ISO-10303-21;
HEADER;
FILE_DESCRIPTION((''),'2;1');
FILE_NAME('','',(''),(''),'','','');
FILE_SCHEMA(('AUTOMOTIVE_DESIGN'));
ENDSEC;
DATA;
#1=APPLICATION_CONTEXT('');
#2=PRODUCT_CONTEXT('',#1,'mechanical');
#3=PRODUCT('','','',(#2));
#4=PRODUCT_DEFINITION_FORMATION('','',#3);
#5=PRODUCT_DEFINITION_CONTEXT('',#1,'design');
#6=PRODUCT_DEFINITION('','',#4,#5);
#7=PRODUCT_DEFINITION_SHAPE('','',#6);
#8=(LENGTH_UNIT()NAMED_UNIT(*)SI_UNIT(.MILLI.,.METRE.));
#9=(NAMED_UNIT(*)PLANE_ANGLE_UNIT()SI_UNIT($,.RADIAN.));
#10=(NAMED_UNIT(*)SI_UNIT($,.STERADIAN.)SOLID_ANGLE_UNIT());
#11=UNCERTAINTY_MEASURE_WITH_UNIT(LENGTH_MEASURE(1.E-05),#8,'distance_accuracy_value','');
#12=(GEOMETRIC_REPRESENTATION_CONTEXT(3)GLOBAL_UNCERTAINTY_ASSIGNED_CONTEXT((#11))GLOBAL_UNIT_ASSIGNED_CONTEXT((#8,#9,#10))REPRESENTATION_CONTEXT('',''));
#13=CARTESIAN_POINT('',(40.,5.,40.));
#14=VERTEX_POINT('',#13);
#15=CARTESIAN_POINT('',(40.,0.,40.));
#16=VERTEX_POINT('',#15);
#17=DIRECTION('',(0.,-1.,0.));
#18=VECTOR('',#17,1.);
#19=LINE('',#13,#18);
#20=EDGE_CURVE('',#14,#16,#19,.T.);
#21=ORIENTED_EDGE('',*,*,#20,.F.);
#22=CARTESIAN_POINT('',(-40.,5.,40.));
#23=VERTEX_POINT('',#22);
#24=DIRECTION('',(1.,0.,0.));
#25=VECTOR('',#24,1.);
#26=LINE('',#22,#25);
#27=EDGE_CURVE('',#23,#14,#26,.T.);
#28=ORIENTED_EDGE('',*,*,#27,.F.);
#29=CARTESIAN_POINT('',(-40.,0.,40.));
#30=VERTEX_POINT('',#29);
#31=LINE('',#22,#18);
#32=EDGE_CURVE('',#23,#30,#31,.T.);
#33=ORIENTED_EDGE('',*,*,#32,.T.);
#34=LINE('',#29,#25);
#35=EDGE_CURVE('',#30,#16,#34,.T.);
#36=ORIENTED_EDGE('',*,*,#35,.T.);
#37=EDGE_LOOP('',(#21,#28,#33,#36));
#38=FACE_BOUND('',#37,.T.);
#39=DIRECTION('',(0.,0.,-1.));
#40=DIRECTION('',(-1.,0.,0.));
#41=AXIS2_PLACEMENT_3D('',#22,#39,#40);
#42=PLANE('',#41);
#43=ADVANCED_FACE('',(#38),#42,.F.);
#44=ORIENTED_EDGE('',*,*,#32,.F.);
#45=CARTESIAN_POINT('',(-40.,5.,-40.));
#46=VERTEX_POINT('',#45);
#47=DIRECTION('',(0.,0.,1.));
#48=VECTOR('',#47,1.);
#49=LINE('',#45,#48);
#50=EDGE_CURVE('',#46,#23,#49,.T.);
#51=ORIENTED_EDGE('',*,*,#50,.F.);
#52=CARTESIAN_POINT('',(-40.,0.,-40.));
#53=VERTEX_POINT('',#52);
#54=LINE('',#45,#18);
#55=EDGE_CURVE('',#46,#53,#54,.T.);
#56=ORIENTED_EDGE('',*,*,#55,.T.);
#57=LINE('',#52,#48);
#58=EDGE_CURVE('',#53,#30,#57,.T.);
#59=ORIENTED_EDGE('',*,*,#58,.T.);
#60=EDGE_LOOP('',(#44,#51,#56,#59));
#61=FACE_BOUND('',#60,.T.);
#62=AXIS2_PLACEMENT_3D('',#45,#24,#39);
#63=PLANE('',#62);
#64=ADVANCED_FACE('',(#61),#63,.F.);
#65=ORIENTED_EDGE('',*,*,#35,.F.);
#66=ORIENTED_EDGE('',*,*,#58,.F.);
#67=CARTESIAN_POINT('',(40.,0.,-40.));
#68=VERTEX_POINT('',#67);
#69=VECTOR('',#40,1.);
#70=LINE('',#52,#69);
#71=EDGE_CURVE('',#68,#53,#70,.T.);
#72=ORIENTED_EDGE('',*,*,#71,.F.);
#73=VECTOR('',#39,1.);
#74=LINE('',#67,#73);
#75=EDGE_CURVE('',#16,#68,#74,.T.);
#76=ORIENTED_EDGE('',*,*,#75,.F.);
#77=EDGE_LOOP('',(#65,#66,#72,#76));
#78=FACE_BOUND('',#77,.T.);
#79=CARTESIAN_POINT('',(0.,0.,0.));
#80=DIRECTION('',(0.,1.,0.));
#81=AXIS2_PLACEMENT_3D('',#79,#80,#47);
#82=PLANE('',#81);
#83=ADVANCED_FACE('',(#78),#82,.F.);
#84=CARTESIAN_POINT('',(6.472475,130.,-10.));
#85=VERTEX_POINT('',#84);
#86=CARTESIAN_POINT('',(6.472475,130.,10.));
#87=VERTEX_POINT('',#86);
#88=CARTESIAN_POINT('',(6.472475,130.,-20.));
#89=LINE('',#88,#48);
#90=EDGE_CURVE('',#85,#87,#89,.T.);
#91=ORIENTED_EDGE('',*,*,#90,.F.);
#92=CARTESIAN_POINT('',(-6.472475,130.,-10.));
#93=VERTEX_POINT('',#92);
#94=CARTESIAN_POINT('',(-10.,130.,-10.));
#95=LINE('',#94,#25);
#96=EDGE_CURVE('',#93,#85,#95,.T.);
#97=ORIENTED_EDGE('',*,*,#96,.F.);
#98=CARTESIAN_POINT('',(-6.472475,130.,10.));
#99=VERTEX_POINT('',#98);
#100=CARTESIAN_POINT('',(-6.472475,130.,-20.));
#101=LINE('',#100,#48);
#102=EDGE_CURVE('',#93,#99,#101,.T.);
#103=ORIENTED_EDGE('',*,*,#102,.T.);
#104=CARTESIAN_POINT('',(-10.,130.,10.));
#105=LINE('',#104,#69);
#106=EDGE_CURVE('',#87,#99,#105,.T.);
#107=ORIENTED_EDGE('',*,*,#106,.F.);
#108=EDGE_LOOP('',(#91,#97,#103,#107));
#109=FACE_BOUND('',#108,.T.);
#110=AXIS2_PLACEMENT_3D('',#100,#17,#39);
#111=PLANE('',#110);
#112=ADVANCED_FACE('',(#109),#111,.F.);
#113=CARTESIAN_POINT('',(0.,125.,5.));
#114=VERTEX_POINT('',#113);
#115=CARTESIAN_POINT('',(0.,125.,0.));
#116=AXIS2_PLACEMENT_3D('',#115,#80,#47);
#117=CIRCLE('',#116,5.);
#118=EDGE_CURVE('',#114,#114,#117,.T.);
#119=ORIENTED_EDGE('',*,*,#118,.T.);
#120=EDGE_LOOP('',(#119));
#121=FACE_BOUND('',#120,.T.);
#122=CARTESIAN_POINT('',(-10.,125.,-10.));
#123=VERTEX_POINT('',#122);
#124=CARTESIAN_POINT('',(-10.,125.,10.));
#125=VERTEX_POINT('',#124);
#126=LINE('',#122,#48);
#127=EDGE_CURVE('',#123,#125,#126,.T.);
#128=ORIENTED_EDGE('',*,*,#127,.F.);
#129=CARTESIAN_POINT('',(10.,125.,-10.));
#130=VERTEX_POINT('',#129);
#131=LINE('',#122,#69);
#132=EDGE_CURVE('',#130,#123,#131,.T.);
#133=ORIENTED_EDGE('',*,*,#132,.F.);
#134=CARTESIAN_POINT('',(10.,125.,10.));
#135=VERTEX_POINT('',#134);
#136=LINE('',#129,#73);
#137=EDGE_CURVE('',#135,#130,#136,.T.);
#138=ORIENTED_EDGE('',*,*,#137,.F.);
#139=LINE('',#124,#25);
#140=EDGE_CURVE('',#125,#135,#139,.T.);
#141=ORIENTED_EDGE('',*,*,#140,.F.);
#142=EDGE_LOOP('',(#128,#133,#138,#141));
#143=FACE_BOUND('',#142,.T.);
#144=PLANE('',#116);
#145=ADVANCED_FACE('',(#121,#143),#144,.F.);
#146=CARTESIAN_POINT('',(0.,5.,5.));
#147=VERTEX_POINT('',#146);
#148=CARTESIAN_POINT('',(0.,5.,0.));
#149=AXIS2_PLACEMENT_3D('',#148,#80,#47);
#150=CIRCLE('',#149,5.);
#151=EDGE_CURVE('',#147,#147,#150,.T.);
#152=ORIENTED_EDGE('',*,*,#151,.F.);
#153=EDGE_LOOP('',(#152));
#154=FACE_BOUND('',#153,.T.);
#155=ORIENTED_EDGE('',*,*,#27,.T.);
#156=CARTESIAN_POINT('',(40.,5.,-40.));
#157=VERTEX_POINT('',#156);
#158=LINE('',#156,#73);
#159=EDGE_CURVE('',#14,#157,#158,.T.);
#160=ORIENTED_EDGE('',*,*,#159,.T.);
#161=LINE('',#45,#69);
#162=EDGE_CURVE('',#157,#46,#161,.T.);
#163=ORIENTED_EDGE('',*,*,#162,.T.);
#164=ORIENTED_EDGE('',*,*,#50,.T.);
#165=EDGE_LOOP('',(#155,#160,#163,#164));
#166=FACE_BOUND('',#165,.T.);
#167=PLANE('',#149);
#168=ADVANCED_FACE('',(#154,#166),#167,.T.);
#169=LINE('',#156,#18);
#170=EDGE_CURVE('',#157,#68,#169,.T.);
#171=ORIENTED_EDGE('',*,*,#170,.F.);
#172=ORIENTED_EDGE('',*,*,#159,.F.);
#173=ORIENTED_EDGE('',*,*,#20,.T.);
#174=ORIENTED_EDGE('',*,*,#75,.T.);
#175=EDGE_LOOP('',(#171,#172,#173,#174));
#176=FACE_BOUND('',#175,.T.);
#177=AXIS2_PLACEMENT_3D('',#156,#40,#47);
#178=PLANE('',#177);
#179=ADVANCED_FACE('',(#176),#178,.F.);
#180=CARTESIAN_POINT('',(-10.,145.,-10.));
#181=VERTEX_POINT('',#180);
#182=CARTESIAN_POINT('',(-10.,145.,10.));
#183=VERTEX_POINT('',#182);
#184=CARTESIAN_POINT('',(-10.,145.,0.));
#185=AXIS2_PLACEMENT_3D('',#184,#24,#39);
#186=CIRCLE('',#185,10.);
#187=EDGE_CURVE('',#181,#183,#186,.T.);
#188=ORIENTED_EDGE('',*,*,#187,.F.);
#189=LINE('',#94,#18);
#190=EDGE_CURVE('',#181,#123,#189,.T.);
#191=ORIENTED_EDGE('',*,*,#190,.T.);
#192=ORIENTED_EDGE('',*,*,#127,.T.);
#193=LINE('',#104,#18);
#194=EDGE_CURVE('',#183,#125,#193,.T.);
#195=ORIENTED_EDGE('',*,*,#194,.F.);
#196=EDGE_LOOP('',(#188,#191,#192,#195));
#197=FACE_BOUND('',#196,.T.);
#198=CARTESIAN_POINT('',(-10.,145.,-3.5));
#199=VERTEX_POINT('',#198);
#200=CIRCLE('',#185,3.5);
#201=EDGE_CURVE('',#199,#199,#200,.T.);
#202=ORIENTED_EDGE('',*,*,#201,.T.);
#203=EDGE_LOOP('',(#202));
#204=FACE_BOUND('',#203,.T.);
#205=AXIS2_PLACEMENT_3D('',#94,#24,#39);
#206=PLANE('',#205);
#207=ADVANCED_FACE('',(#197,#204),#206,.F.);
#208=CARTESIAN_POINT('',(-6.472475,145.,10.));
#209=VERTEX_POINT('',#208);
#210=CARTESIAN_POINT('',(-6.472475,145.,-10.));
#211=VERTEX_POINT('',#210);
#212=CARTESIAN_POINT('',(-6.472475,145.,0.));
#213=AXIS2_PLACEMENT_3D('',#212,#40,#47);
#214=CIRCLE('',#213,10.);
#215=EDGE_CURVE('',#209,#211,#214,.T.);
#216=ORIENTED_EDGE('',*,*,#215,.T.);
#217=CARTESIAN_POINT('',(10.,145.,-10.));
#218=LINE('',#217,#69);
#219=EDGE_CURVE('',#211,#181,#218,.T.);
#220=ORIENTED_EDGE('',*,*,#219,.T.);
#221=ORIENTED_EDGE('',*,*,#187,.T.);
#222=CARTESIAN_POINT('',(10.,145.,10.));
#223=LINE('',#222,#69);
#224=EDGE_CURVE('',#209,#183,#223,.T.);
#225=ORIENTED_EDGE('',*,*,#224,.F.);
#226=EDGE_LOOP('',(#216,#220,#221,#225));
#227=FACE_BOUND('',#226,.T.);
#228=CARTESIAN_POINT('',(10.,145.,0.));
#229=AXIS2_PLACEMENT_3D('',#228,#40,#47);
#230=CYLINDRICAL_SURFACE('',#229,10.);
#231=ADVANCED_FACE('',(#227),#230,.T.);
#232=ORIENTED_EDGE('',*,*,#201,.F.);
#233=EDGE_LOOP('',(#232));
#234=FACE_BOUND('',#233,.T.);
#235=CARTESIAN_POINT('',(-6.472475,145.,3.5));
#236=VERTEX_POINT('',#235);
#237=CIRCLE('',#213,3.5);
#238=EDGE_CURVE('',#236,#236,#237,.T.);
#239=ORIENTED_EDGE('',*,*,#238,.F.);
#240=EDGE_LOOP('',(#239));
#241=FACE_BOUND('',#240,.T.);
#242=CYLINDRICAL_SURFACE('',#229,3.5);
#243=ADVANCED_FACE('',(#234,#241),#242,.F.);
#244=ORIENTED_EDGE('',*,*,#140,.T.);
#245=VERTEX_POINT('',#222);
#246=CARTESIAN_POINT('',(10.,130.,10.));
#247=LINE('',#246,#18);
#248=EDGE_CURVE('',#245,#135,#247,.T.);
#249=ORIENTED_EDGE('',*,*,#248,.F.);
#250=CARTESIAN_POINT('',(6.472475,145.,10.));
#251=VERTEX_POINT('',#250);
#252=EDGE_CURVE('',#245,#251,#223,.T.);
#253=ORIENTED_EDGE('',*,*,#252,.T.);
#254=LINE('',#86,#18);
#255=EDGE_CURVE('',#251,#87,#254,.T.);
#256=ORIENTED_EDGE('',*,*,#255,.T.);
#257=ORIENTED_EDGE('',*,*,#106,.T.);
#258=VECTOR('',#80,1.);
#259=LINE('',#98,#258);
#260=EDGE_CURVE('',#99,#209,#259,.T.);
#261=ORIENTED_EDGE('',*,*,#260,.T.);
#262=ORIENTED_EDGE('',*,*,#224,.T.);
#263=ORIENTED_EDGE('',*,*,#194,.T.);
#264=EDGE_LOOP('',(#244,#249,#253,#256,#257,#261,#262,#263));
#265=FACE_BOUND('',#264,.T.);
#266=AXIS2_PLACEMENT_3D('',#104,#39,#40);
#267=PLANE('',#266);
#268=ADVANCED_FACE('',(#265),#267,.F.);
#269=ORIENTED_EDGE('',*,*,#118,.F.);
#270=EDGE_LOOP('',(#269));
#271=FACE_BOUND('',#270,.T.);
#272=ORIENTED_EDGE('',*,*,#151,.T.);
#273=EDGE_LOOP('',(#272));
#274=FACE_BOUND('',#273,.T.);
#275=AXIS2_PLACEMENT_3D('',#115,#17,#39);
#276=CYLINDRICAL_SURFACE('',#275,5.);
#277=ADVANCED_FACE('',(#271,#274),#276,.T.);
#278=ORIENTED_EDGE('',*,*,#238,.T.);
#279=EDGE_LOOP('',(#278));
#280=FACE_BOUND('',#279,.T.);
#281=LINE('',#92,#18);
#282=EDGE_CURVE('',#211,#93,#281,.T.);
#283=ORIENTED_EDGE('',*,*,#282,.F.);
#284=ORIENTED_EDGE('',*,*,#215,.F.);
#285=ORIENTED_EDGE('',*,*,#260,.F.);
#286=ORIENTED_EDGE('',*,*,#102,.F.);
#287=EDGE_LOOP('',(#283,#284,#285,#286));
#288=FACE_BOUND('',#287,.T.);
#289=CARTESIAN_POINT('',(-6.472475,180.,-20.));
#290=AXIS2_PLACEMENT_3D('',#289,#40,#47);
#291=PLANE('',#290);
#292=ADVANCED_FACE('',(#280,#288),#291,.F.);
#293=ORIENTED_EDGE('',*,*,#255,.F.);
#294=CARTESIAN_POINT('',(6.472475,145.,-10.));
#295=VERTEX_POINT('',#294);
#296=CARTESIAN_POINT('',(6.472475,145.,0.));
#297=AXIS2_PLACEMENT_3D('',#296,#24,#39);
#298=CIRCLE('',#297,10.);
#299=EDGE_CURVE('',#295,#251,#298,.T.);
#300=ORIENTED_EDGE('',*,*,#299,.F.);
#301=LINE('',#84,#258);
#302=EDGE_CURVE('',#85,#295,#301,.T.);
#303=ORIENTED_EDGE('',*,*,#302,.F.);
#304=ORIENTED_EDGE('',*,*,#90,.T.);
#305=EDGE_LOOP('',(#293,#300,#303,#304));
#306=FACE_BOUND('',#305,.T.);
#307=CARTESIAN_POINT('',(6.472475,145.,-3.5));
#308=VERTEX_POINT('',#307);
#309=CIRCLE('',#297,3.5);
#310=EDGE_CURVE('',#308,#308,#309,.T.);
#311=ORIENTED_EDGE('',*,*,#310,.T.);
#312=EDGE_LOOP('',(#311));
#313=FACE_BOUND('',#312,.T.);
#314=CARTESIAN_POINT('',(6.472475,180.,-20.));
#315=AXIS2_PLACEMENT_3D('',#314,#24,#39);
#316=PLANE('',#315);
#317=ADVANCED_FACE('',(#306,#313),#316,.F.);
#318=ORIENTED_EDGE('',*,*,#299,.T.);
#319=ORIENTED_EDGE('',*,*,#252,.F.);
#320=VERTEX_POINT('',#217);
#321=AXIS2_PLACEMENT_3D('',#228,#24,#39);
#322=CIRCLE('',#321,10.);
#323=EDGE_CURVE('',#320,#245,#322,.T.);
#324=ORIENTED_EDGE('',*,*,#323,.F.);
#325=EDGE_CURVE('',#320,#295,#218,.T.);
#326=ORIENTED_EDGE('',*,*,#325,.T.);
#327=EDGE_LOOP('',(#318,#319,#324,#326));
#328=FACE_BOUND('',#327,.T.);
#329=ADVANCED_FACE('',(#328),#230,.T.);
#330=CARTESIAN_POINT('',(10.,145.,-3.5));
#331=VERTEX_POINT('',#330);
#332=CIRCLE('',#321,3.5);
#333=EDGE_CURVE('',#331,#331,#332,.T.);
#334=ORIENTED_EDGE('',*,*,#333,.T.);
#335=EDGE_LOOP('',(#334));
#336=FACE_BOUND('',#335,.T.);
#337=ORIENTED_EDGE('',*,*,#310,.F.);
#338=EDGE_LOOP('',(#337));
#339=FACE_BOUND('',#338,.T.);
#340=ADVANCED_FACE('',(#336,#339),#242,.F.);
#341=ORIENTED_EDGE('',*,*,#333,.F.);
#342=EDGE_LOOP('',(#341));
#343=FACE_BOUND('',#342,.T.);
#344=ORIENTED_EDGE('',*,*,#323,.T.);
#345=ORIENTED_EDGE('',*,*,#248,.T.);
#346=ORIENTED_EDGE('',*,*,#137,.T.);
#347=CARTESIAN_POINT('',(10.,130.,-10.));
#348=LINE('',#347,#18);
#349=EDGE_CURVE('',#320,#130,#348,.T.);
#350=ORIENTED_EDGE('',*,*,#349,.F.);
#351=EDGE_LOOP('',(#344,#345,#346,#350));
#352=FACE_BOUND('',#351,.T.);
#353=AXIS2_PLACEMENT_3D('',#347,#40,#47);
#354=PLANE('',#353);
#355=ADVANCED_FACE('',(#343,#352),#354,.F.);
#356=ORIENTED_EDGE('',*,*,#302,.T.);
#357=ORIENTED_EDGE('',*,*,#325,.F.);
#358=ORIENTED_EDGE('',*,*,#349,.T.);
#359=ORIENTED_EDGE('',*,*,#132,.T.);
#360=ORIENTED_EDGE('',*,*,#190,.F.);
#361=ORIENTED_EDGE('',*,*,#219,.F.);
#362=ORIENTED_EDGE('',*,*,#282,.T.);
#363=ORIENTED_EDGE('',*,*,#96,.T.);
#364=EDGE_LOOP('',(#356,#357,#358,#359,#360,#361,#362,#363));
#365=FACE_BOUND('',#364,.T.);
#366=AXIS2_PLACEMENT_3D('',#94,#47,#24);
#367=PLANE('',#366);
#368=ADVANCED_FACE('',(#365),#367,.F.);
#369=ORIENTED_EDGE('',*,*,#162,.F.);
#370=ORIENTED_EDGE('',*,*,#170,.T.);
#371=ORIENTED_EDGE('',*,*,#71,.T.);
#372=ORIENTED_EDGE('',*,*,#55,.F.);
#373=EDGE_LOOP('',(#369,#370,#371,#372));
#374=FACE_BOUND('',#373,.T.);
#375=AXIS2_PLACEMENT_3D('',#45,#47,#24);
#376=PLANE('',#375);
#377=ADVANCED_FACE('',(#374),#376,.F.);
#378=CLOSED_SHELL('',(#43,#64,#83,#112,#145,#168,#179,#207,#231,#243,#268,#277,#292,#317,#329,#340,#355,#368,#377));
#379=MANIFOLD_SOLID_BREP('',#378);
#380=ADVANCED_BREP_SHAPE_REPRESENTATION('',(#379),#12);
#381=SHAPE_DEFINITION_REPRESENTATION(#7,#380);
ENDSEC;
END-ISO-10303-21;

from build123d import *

# Parameters (mm, degrees)
ESBO_O10_W               = 80
ESBO_O10_H               = 80
RESSALTO_EXTRUS_O4_DEPTH = 5
ESBO_O11_R               = 5
RESSALTO_EXTRUS_O5_DEPTH = 120
ESBO_O12_W               = 20
ESBO_O12_H               = 20
RESSALTO_EXTRUS_O6_DEPTH = 5
ESBO_O13_R               = 3.5
RESSALTO_EXTRUS_O7_DEPTH = 10
ESBO_O16_W               = 12.944950436
ESBO_O16_H               = 50
CORTE_EXTRUS_O8_DEPTH    = 20


with BuildPart() as part:
    # Esboço10 → Ressalto-extrusão4 (new body)
    with BuildSketch(Plane(origin=(0, 0, 0), x_dir=(1, 0, 0), z_dir=(0, 1, 0))):
        Rectangle(ESBO_O10_W, ESBO_O10_H)
    extrude(amount=RESSALTO_EXTRUS_O4_DEPTH)

    # Esboço11 → Ressalto-extrusão5 (add)
    with BuildSketch(Plane(origin=(0, 5, 0), x_dir=(1, 0, 0), z_dir=(0, 1, 0))):
        with Locations(Location((0, 0, 0), (0, 0, 270))):
            Circle(ESBO_O11_R)
    extrude(amount=RESSALTO_EXTRUS_O5_DEPTH)

    # Esboço12 → Ressalto-extrusão6 (add)
    with BuildSketch(Plane(origin=(0, 125, 0), x_dir=(1, 0, 0), z_dir=(0, 1, 0))):
        Rectangle(ESBO_O12_W, ESBO_O12_H)
    extrude(amount=RESSALTO_EXTRUS_O6_DEPTH)

    # Esboço13 → Ressalto-extrusão7 (add, symmetric)
    with BuildSketch(Plane(origin=(0, 0, 0), x_dir=(0, 0, -1), z_dir=(1, 0, 0))):
        with BuildLine():
            Line((10, 130), (-10, 130))
            Line((-10, 130), (-10, 145))
            ThreePointArc((-10, 145), (0, 155), (10, 145))
            Line((10, 145), (10, 130))
        make_face()
        with Locations((0, 145)):
            Circle(ESBO_O13_R, mode=Mode.SUBTRACT)
    extrude(amount=RESSALTO_EXTRUS_O7_DEPTH, both=True)

    # Esboço16 → Corte-extrusão8 (cut, symmetric)
    with BuildSketch(Plane.XY):
        with Locations((0, 155)):
            Rectangle(ESBO_O16_W, ESBO_O16_H)
    extrude(amount=CORTE_EXTRUS_O8_DEPTH, both=True, mode=Mode.SUBTRACT)


solid = part.part
